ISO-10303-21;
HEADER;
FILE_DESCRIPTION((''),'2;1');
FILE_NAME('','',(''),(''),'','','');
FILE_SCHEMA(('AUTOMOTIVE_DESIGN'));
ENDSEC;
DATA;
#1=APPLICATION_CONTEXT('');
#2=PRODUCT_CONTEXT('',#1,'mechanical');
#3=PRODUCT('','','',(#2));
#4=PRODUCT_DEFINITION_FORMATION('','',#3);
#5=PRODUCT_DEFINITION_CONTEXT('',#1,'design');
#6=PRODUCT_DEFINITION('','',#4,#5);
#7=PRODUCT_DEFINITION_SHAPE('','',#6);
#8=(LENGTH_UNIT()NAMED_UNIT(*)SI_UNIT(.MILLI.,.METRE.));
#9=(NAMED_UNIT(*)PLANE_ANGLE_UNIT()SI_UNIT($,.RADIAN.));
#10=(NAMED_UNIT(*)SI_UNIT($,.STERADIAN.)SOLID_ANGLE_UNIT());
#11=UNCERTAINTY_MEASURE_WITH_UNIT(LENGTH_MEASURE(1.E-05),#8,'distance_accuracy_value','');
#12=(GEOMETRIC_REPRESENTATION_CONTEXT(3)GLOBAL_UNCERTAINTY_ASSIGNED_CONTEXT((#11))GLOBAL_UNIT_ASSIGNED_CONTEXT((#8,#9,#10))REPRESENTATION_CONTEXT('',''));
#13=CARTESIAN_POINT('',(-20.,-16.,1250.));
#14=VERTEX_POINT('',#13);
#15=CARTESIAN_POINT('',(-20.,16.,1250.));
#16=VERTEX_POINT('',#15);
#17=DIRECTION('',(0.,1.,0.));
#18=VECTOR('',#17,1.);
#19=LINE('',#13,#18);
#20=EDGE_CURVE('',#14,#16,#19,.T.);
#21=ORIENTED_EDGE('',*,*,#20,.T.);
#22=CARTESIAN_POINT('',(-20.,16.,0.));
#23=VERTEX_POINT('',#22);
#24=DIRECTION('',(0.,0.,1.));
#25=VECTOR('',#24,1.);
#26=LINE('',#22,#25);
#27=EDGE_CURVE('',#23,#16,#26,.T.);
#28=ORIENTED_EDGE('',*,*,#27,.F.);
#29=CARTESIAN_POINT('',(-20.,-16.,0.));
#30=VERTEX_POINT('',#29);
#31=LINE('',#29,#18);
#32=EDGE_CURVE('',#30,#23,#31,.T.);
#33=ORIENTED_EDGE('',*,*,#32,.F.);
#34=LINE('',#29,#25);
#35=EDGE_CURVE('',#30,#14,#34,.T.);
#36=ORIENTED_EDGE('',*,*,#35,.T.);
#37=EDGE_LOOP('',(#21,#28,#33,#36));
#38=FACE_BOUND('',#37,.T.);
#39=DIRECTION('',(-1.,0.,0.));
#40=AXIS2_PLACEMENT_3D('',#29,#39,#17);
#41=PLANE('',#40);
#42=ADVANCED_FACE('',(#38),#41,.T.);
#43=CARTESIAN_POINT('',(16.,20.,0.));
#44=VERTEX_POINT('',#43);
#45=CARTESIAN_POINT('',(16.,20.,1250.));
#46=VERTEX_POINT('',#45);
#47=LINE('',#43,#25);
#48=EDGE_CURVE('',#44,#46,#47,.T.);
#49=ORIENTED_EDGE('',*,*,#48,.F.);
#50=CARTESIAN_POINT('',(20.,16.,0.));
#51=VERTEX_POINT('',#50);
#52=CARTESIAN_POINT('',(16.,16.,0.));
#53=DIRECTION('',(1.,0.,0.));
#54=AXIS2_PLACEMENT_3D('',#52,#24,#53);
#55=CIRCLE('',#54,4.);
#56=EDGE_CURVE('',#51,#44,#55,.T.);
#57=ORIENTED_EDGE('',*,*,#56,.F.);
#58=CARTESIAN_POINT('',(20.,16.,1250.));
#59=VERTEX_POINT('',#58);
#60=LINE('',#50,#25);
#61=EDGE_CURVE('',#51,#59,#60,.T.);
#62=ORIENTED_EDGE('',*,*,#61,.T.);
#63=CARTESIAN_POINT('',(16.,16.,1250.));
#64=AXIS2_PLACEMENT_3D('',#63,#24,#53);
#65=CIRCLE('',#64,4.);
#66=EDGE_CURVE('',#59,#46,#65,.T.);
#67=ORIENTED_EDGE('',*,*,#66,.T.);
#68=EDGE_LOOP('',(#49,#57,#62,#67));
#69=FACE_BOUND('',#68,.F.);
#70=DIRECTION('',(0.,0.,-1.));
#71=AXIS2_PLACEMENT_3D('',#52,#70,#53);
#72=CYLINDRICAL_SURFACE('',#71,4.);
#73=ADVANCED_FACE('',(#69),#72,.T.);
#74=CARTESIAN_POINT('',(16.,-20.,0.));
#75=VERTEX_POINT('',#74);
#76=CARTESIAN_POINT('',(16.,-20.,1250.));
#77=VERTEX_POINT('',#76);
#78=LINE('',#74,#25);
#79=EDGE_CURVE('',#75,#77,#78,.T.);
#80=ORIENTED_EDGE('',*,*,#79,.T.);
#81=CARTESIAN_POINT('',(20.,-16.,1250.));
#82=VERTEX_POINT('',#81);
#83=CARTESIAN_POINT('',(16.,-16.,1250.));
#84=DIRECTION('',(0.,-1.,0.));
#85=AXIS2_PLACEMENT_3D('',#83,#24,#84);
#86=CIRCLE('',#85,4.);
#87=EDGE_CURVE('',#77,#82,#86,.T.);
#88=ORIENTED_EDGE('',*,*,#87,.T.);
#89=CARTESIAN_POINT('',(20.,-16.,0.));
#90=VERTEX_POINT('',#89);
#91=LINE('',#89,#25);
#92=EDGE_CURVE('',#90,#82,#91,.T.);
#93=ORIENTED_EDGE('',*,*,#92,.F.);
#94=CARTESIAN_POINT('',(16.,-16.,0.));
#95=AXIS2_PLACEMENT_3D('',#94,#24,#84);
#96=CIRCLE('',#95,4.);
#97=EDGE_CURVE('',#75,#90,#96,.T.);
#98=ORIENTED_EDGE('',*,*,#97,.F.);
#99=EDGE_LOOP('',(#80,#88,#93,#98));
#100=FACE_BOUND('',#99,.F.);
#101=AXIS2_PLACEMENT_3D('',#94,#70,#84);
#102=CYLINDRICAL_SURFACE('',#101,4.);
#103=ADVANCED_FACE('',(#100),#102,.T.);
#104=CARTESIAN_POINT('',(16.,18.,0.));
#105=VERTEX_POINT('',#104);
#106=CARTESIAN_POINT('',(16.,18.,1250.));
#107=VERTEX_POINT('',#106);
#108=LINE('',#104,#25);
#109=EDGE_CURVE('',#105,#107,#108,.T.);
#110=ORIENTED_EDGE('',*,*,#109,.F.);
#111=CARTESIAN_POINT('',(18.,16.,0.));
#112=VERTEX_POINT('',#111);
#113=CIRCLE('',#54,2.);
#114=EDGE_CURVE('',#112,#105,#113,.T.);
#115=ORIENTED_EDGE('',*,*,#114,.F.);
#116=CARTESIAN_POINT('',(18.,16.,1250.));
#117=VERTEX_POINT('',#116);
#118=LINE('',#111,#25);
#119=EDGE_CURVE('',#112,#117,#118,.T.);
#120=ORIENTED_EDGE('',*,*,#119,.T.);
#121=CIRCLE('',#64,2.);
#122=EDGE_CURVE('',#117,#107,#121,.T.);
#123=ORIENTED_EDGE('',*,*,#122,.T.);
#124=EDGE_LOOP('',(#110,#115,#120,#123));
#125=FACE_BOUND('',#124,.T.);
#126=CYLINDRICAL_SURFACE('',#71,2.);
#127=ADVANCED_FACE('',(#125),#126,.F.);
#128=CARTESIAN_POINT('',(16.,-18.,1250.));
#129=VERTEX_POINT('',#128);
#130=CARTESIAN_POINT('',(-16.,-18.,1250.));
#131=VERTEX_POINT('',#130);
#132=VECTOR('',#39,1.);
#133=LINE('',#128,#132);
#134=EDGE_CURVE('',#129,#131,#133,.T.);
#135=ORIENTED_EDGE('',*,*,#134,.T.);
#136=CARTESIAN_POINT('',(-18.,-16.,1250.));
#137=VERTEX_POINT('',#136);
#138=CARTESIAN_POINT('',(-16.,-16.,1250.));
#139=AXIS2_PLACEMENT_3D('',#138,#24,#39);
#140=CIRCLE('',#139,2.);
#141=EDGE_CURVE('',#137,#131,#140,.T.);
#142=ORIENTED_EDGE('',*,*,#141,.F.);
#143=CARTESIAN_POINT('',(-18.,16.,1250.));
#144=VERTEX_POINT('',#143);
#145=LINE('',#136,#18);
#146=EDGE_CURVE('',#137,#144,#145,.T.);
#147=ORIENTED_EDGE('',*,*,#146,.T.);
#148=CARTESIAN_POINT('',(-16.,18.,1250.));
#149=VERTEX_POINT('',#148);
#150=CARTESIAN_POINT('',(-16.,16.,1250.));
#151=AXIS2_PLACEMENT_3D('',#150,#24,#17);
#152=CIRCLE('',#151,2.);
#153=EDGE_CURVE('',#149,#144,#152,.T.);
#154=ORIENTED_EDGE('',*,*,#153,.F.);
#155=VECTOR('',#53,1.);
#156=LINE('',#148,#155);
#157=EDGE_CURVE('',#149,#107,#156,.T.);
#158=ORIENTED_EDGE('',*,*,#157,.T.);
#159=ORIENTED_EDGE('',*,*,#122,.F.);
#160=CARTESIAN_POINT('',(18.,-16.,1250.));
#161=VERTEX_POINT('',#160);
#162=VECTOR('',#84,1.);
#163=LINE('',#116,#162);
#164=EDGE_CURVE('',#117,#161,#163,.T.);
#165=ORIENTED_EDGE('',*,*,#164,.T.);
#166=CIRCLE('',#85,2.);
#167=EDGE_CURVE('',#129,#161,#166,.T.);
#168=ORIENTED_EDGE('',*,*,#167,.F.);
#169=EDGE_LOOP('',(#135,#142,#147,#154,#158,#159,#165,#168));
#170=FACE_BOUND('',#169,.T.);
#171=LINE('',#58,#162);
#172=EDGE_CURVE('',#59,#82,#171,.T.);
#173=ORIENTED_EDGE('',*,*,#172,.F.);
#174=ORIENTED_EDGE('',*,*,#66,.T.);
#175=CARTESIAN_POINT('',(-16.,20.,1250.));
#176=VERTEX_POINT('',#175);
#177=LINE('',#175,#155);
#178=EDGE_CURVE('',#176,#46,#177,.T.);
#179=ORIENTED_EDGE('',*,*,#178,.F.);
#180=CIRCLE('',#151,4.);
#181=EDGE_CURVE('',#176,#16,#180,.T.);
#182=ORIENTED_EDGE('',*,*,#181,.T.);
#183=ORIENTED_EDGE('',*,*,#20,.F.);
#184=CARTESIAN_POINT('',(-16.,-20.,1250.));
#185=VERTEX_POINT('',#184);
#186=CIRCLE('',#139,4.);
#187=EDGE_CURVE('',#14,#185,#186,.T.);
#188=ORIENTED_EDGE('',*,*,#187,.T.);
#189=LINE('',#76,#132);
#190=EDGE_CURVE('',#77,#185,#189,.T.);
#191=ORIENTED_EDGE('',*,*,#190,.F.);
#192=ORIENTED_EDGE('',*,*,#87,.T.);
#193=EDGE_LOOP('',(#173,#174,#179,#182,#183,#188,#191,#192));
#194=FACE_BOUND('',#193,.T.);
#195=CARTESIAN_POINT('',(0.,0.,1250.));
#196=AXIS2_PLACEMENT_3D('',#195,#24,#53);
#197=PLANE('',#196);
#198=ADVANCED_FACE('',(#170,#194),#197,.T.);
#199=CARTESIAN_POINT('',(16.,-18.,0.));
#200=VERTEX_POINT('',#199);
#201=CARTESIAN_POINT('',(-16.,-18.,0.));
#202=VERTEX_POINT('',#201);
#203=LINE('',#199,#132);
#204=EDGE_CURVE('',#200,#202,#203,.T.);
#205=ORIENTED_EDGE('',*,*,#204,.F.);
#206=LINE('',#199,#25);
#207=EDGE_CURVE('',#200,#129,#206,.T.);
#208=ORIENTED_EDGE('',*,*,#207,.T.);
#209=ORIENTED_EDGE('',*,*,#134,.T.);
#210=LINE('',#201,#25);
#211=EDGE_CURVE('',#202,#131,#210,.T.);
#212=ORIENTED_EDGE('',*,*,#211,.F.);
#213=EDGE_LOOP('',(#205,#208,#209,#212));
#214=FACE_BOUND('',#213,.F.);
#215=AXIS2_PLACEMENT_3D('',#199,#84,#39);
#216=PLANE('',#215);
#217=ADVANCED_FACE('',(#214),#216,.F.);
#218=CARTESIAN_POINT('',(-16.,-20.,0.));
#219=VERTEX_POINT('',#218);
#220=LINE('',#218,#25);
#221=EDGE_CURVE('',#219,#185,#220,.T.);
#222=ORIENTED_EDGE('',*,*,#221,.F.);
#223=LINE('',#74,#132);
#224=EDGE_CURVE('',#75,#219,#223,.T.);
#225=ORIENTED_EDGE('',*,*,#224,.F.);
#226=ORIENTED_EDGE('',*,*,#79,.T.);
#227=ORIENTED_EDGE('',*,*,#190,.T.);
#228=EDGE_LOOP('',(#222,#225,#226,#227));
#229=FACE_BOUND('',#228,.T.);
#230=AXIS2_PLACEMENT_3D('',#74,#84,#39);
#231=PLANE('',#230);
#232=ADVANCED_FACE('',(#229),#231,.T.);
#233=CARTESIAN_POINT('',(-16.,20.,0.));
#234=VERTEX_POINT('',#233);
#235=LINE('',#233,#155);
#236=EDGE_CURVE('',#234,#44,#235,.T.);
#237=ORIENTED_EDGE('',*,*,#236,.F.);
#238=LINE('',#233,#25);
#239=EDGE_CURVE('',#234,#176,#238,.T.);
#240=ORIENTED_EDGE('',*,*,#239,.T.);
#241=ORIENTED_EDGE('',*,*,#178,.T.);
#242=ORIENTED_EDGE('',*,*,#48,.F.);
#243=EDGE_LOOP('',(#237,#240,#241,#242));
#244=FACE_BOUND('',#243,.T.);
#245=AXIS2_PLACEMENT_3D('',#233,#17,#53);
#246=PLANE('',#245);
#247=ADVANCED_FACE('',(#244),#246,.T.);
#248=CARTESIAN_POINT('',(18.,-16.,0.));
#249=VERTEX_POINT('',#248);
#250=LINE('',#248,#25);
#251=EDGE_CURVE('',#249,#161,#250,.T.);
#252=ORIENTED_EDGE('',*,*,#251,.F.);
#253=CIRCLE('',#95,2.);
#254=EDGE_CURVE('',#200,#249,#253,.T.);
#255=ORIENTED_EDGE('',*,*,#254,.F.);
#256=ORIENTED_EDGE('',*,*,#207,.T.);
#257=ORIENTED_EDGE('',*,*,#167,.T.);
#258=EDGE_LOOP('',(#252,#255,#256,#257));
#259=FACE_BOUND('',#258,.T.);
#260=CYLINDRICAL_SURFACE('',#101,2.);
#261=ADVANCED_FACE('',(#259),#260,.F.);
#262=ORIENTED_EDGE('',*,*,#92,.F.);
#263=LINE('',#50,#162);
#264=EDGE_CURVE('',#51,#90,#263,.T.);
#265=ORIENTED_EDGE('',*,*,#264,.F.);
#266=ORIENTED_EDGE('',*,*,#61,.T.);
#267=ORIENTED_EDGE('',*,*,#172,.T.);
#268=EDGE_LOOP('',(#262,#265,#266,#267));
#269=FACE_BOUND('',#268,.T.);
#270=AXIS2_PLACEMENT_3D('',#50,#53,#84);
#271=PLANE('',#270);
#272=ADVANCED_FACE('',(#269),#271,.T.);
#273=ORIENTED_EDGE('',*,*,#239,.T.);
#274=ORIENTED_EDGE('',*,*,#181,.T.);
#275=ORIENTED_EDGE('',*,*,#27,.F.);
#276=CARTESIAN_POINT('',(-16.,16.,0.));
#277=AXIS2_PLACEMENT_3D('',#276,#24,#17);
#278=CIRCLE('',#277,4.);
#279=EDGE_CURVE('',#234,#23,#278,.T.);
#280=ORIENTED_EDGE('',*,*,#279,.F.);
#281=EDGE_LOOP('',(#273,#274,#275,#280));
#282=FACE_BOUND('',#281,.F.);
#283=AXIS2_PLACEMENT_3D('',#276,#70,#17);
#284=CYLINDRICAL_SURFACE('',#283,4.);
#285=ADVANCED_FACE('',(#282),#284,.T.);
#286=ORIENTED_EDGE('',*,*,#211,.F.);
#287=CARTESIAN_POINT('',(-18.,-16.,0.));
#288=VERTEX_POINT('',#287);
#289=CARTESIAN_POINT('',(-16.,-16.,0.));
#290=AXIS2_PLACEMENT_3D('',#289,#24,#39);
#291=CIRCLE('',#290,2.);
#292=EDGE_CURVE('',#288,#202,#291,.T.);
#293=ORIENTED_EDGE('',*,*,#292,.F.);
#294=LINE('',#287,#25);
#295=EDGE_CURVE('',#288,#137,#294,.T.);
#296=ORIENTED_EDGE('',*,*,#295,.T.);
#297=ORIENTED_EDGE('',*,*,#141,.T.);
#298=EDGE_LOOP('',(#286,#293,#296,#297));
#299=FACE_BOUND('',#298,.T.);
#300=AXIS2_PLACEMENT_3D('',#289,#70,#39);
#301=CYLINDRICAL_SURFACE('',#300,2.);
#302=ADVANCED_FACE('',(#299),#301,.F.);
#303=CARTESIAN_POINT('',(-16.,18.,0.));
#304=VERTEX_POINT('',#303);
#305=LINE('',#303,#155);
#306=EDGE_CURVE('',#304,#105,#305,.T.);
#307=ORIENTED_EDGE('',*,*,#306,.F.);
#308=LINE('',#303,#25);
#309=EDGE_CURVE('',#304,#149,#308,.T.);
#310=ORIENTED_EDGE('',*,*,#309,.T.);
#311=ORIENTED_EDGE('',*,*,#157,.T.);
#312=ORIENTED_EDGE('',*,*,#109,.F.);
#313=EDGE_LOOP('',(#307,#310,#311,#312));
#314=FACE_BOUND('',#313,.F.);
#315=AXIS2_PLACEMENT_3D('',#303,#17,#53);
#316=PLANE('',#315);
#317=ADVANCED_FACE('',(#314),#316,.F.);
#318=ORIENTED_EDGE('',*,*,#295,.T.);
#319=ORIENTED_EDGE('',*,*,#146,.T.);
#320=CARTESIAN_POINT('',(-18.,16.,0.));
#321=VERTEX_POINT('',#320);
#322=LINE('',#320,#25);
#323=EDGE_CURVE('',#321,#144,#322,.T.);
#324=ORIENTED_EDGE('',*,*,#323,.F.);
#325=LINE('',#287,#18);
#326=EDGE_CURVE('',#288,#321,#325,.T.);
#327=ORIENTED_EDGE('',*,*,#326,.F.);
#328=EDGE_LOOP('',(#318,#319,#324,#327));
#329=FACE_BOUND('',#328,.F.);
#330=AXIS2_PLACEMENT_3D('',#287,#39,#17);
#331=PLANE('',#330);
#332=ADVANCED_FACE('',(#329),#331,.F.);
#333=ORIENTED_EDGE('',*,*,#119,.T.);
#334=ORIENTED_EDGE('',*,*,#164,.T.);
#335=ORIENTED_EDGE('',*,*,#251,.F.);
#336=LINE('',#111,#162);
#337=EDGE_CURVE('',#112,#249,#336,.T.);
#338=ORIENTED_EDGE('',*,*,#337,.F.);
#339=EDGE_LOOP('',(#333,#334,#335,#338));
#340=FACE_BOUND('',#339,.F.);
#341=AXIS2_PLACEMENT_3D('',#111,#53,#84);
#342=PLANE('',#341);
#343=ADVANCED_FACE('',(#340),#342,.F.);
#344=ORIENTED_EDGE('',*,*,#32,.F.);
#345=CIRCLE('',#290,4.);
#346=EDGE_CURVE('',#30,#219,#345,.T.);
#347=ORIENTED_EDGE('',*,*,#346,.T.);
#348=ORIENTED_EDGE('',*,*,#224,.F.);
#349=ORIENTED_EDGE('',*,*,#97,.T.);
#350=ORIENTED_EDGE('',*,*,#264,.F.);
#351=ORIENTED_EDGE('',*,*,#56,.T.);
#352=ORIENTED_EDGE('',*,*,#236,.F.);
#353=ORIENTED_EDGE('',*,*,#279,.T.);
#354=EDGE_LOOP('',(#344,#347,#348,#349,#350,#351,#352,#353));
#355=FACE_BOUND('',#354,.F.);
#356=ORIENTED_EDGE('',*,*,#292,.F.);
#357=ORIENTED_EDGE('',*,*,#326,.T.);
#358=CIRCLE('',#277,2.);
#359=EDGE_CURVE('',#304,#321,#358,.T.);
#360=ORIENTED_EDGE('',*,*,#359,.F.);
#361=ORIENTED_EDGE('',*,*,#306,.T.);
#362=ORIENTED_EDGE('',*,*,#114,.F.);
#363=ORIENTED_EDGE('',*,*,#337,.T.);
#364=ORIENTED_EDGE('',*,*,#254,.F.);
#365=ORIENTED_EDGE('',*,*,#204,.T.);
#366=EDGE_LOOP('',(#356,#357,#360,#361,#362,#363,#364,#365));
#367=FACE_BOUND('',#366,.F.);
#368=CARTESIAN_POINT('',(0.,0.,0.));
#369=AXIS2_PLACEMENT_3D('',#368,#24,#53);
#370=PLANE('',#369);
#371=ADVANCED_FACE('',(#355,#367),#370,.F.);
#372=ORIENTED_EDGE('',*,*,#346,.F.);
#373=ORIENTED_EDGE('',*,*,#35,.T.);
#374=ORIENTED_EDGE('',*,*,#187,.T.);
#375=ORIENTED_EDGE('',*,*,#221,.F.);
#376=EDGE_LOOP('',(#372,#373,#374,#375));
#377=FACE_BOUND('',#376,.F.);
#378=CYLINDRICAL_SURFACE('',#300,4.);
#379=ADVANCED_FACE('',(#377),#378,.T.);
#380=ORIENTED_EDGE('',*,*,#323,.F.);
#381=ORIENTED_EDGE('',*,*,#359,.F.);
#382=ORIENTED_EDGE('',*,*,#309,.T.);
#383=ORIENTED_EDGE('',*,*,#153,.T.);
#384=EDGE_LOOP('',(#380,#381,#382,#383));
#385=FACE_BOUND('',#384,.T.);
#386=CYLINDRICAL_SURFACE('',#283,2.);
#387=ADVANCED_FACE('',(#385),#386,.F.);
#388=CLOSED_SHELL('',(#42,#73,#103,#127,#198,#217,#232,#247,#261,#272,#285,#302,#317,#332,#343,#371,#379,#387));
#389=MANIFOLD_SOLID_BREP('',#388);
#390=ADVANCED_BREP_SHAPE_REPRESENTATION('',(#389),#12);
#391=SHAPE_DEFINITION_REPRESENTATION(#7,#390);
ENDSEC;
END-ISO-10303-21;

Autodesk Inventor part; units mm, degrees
ref_plane "YZ Plane" through (0, 0, 0) normal (1, 0, 0) x (0, 1, 0)
ref_plane "Start Plane" through (0, 0, 0) normal (0, 0, 1) x (1, 0, 0)
ref_plane "End Plane" through (0, 0, 1250) normal (0, 0, 1) x (1, 0, 0)
sketch "Sketch" plane through (0, 0, 0) normal (0, 0, 1) x (1, 0, 0)
  line L0 (-20, -16) -> (-20, 16)
  line L1 (-16, 20) -> (16, 20)
  line L2 (20, 16) -> (20, -16)
  line L3 (16, -20) -> (-16, -20)
  arc A0 (-20, -16) -> (-16, -20) centre (-16, -16) ccw
  arc A1 (20, 16) -> (16, 20) centre (16, 16) ccw
  arc A2 (-16, 20) -> (-20, 16) centre (-16, 16) ccw
  arc A3 (16, -20) -> (20, -16) centre (16, -16) ccw
  arc A4 (-16, 18) -> (-18, 16) centre (-16, 16) ccw
  line L4 (-16, 18) -> (16, 18)
  arc A5 (18, 16) -> (16, 18) centre (16, 16) ccw
  line L5 (18, 16) -> (18, -16)
  arc A6 (16, -18) -> (18, -16) centre (16, -16) ccw
  line L6 (16, -18) -> (-16, -18)
  arc A7 (-18, -16) -> (-16, -18) centre (-16, -16) ccw
  line L7 (-18, -16) -> (-18, 16)
  line L8 (0, 29.1598) -> (0, -29.1598) construction
  line L9 (-29.1598, 0) -> (29.1598, 0) construction
  dimension "d7" = 4
  dimension "d9" = 40
  dimension "d11" = 40
  dimension "d12" = 2
  dimension "d15" = 20
  dimension "d16" = 20
extrude "Body" add sketch "Sketch" along normal up to surface (1250 mm away) from surface at 0
sketch "Sketch3" plane through (0, 0, 0) normal (0, 0, 1) x (1, 0, 0)
  line L0 (0, 0) -> (10, 0)
ref_plane "Work Plane3" through (0, 0, 0) normal (0, -1, 0) x (1, 0, 0)
sketch "Sketch4" plane through (0, 0, 0) normal (0, -1, 0) x (1, 0, 0)
  line L0 (-2, 0) -> (12, 0) projected
  line L1 (-2, 1250) -> (12, 1250) projected
  dimension "d18" = 1250
equation "\"d7\" = G_IR"
equation "\"d9\" = G_W"
equation "\"d11\" = G_H"
equation "\"d12\" = G_T"
equation "\"d15\" = 0.5 * d9"
equation "\"d16\" = 0.5 * d11"
equation "\"d3\" = G_L"
equation "\"G_W\" = 40"
equation "\"G_H\" = 40"
equation "\"G_T\" = 2"
equation "\"G_IR\" = 4"
equation "\"G_L\" = d18"
equation "\"G_OFFSET_START\" = 0"
equation "\"G_OFFSET_END\" = 0"
properties part number "ISO 4019 - 40x40x2 - 1250" material "Steel, Mild"
